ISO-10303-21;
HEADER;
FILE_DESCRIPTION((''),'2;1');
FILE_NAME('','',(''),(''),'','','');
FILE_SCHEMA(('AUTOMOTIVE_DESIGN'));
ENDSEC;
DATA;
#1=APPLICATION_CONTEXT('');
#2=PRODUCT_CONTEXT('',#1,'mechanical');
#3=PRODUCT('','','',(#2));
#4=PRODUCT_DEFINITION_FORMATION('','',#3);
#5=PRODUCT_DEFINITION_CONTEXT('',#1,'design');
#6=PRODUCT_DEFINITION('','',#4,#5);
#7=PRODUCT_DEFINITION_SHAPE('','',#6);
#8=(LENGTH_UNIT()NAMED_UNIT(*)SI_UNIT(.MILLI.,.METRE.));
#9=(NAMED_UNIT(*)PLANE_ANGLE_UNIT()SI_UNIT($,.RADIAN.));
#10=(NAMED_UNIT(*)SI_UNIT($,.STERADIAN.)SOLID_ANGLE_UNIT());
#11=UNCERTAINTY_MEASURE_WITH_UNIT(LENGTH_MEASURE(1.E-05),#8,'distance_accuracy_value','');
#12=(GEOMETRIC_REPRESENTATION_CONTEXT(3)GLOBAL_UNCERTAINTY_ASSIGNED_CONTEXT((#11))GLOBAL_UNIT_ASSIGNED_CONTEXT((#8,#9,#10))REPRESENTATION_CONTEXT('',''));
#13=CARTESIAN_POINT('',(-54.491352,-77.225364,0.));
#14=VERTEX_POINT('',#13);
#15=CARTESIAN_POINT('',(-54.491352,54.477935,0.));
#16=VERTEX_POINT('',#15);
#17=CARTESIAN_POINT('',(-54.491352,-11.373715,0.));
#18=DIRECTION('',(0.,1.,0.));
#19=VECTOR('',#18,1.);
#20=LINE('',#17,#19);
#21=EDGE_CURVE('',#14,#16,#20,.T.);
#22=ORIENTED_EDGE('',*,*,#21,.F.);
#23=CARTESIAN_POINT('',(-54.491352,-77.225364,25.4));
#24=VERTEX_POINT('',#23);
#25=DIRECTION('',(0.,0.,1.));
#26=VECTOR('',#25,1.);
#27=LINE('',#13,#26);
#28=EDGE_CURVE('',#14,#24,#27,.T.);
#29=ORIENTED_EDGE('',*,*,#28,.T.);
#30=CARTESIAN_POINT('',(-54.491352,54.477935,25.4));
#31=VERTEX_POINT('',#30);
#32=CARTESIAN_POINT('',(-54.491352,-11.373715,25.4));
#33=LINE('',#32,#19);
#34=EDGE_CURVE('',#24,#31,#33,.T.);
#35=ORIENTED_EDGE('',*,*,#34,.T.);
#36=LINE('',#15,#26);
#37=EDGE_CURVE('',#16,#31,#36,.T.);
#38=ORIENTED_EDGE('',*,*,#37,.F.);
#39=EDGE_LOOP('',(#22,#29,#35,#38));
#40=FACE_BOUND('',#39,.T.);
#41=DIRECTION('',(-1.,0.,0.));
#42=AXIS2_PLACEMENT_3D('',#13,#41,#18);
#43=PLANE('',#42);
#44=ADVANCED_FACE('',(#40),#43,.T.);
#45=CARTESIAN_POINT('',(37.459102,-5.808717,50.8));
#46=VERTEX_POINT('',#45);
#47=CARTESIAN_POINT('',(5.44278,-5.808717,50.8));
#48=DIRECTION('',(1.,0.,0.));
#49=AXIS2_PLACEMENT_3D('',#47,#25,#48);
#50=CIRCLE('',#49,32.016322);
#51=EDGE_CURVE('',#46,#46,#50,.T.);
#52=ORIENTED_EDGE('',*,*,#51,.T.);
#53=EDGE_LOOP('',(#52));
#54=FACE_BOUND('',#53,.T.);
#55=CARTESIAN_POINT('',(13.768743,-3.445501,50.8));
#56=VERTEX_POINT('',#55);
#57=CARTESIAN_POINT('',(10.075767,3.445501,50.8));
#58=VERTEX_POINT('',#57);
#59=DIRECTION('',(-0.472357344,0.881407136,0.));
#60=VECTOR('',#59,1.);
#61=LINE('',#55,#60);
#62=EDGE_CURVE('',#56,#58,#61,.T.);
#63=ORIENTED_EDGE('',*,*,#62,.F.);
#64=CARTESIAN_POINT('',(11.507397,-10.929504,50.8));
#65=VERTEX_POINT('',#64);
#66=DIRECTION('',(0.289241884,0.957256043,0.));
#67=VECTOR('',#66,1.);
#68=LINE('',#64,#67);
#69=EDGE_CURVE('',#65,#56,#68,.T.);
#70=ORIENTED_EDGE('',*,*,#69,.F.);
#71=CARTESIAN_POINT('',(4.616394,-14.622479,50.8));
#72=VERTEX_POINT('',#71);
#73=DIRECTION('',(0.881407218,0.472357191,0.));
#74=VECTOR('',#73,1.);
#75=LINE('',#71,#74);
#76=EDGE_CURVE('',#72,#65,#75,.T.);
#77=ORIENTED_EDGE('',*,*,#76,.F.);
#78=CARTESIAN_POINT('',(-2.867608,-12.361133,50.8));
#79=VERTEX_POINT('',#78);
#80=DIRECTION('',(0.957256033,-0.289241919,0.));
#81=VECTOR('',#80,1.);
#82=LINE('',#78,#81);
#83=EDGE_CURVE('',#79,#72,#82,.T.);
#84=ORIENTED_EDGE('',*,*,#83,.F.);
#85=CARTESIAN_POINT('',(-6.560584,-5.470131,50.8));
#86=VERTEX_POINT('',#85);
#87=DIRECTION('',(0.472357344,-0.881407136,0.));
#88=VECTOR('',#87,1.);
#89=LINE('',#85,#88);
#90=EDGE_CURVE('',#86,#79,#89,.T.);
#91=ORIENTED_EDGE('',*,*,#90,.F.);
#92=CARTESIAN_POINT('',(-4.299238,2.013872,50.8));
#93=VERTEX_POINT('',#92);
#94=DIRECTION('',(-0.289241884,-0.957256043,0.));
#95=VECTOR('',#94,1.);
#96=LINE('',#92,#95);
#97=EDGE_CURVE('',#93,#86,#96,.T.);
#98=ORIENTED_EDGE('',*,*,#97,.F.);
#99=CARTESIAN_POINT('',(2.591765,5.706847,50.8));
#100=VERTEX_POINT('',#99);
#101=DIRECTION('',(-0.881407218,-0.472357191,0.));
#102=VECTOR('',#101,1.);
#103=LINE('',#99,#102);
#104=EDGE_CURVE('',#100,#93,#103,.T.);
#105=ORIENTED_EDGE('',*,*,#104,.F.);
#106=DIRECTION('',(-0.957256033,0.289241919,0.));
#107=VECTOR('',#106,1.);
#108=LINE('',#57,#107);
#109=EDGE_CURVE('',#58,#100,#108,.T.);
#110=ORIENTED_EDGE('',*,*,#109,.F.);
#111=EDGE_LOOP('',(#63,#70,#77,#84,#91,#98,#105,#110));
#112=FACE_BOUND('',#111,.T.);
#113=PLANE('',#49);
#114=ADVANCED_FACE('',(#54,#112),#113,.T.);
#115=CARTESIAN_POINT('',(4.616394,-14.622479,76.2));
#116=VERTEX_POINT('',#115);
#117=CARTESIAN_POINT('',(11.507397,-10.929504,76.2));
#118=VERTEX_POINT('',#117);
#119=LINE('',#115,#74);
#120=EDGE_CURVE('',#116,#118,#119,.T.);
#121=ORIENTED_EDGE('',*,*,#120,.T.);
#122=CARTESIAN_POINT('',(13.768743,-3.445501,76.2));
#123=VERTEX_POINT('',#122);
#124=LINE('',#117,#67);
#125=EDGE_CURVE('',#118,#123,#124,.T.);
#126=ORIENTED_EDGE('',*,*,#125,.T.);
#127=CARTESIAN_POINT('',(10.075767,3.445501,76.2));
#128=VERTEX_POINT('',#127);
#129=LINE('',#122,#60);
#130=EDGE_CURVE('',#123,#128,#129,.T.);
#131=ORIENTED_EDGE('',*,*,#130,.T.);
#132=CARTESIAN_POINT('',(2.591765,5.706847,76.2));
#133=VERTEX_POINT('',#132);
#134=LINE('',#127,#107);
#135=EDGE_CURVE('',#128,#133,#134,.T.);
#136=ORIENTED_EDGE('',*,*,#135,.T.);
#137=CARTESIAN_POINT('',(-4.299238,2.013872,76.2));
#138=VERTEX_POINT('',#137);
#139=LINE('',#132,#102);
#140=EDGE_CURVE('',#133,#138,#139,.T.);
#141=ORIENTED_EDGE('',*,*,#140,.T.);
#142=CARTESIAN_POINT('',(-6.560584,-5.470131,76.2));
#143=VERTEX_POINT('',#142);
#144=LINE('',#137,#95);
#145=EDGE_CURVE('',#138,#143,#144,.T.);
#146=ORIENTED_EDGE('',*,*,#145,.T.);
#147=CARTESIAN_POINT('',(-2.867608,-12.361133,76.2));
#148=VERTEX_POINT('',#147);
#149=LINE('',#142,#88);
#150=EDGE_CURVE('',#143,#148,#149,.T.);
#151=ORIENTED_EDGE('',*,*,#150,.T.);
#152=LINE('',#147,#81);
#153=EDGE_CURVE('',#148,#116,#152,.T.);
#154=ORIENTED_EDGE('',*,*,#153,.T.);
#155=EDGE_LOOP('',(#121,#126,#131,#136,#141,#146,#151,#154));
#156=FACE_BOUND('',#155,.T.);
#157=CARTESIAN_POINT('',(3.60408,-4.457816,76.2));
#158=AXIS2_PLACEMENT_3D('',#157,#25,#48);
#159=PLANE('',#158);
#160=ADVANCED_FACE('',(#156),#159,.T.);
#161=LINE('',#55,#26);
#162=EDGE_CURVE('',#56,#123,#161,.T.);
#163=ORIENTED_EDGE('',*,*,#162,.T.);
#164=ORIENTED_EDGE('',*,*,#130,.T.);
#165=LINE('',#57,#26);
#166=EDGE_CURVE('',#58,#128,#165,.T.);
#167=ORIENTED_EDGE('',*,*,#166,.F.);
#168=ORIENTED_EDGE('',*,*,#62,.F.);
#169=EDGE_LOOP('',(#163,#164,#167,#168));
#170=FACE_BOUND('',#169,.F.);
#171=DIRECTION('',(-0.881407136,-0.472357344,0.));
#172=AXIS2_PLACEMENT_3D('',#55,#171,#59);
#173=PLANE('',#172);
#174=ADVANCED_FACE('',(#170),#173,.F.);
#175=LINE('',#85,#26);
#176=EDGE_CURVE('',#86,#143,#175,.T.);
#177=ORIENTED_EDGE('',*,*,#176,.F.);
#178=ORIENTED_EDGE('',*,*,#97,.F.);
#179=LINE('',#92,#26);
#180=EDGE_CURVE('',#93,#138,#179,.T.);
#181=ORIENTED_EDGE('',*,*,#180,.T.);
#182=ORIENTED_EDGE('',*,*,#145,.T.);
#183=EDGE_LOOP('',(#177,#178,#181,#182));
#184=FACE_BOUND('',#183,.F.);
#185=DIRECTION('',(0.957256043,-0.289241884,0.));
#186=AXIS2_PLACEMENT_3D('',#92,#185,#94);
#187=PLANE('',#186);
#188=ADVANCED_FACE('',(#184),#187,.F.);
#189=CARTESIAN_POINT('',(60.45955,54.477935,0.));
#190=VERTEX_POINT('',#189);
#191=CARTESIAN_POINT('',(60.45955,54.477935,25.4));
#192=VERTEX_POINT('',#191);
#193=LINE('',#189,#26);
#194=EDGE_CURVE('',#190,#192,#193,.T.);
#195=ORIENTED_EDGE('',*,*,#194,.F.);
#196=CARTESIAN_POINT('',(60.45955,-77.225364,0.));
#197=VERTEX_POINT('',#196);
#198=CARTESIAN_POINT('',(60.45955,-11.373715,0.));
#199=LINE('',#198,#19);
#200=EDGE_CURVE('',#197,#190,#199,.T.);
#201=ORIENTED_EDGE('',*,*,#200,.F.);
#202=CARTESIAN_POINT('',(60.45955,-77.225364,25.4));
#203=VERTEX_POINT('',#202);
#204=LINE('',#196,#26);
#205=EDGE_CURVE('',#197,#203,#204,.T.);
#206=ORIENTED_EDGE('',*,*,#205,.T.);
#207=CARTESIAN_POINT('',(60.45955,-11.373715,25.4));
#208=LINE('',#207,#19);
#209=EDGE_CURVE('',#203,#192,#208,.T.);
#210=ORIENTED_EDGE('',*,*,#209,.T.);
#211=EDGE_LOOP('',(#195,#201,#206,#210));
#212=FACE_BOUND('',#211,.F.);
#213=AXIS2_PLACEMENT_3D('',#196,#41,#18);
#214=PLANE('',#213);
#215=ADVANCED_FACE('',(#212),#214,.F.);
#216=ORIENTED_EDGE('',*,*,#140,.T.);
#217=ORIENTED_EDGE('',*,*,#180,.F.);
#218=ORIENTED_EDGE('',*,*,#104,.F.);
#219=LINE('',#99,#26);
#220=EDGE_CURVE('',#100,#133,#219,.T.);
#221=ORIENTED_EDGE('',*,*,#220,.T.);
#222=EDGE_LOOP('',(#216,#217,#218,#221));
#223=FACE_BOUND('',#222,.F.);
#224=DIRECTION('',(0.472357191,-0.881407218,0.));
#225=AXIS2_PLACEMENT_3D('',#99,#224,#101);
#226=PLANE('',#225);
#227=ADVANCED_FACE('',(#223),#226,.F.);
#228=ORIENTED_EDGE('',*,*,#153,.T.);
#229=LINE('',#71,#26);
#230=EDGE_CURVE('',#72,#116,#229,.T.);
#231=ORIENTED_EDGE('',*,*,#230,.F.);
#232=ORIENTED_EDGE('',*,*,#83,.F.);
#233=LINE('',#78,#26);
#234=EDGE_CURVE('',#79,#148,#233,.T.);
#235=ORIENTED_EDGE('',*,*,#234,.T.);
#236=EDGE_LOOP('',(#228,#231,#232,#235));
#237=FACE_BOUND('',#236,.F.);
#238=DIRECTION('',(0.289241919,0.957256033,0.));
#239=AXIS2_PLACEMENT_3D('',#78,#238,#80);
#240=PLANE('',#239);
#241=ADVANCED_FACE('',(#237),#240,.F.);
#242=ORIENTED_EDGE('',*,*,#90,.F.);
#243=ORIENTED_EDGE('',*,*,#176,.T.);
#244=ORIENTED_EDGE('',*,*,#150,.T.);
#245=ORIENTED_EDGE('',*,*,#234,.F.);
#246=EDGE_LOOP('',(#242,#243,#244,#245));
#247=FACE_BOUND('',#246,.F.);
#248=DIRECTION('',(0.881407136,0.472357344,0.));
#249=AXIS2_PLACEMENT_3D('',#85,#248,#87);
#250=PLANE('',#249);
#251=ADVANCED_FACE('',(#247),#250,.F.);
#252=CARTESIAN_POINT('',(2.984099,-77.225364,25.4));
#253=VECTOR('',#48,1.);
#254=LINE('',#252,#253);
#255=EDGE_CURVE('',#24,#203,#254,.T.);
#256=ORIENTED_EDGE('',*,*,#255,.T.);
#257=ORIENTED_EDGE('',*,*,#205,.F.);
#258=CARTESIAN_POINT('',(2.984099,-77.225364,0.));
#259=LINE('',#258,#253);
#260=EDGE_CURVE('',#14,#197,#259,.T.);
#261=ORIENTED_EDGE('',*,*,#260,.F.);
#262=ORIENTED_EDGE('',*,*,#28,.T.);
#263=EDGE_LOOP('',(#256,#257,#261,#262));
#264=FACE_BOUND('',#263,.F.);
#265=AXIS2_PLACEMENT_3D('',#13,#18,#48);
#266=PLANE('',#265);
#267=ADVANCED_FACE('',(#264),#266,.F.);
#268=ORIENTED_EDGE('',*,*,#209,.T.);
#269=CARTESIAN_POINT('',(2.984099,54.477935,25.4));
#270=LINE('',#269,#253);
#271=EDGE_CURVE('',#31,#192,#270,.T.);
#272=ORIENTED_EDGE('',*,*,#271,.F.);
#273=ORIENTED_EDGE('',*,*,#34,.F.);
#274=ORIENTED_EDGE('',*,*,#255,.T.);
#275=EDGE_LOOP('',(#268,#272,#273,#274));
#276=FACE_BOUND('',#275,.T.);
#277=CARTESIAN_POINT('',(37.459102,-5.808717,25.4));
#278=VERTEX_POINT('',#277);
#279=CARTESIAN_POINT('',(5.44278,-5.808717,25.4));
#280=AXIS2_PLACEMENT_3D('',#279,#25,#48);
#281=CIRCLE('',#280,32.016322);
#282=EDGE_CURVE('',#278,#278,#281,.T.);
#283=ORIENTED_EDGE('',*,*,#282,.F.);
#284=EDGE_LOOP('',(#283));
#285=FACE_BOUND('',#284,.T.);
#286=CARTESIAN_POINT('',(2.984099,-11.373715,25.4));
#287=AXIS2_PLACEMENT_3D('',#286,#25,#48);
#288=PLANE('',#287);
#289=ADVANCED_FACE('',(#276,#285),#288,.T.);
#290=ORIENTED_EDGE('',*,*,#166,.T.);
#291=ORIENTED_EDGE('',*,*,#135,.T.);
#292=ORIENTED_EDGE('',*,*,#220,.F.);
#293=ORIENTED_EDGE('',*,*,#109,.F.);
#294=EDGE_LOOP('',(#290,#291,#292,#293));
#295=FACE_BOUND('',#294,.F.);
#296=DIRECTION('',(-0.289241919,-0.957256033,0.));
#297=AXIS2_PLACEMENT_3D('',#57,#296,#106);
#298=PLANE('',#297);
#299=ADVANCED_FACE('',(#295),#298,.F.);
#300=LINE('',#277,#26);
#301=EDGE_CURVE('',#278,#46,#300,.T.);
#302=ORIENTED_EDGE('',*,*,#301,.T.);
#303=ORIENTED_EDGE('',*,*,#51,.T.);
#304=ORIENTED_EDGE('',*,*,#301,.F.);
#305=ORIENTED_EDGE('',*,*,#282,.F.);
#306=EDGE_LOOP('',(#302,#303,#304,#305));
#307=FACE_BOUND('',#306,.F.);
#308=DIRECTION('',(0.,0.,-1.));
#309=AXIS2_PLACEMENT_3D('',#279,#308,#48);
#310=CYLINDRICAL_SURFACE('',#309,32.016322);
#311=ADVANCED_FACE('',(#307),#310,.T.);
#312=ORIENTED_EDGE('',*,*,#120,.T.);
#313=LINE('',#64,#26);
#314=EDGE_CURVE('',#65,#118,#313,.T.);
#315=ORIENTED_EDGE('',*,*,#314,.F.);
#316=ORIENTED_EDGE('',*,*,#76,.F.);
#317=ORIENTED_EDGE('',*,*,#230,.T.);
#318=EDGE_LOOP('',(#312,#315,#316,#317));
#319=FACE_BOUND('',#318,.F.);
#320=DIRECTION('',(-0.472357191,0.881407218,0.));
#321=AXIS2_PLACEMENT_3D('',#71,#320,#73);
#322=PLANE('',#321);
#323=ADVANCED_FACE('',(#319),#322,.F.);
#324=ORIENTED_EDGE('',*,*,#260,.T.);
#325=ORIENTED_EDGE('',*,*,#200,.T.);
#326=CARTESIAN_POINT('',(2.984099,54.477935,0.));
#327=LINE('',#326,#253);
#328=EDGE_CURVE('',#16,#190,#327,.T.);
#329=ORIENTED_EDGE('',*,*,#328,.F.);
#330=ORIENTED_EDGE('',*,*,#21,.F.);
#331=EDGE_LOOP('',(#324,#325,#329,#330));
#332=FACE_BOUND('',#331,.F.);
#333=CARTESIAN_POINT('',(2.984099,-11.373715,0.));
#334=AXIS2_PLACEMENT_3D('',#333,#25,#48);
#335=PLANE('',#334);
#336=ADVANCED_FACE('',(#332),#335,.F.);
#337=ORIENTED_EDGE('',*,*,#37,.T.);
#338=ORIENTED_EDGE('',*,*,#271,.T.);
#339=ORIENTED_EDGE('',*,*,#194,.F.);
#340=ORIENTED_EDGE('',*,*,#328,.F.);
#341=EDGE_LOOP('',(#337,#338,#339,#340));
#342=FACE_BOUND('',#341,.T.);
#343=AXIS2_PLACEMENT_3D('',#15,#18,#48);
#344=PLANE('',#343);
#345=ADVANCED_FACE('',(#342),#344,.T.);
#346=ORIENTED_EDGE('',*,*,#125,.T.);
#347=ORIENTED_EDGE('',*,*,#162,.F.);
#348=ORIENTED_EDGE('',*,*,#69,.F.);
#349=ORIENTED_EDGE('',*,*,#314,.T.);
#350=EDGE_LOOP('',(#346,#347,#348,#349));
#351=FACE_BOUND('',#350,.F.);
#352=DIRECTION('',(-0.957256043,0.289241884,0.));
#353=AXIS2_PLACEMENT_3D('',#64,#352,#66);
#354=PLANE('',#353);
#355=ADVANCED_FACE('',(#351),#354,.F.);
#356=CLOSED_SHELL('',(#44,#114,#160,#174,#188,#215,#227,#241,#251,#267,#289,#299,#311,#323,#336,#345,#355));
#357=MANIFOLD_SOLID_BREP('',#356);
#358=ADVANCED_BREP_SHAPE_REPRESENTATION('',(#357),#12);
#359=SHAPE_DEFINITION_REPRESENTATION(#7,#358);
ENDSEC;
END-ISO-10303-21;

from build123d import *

# Parameters (mm, degrees)
F0_W     = 114.950902
F0_H     = 131.703299
F1_DEPTH = 25.4
F2_R     = 32.016322
F3_DEPTH = 25.4
F5_DEPTH = 25.4


with BuildPart() as f1:
    # F0 (on Top) → F1 (new body)
    with BuildSketch(Plane.XY):
        with Locations((2.984099, -11.373715)):
            Rectangle(F0_W, F0_H)
    extrude(amount=F1_DEPTH)

    # F2 (on face) → F3 (join)
    with BuildSketch(Plane.XY.offset(25.4)):
        with Locations((5.44278, -5.808717)):
            Circle(F2_R)
    extrude(amount=F3_DEPTH)

    # F4 (on face) → F5 (join)
    with BuildSketch(Plane.XY.offset(50.8)):
        Polygon((13.768743, -3.445501), (10.075767, 3.445501), (2.591765, 5.706847), (-4.299238, 2.013872), (-6.560584, -5.470131), (-2.867608, -12.361133), (4.616394, -14.622479), (11.507397, -10.929504), align=None)
    extrude(amount=F5_DEPTH)


solid = f1.part
